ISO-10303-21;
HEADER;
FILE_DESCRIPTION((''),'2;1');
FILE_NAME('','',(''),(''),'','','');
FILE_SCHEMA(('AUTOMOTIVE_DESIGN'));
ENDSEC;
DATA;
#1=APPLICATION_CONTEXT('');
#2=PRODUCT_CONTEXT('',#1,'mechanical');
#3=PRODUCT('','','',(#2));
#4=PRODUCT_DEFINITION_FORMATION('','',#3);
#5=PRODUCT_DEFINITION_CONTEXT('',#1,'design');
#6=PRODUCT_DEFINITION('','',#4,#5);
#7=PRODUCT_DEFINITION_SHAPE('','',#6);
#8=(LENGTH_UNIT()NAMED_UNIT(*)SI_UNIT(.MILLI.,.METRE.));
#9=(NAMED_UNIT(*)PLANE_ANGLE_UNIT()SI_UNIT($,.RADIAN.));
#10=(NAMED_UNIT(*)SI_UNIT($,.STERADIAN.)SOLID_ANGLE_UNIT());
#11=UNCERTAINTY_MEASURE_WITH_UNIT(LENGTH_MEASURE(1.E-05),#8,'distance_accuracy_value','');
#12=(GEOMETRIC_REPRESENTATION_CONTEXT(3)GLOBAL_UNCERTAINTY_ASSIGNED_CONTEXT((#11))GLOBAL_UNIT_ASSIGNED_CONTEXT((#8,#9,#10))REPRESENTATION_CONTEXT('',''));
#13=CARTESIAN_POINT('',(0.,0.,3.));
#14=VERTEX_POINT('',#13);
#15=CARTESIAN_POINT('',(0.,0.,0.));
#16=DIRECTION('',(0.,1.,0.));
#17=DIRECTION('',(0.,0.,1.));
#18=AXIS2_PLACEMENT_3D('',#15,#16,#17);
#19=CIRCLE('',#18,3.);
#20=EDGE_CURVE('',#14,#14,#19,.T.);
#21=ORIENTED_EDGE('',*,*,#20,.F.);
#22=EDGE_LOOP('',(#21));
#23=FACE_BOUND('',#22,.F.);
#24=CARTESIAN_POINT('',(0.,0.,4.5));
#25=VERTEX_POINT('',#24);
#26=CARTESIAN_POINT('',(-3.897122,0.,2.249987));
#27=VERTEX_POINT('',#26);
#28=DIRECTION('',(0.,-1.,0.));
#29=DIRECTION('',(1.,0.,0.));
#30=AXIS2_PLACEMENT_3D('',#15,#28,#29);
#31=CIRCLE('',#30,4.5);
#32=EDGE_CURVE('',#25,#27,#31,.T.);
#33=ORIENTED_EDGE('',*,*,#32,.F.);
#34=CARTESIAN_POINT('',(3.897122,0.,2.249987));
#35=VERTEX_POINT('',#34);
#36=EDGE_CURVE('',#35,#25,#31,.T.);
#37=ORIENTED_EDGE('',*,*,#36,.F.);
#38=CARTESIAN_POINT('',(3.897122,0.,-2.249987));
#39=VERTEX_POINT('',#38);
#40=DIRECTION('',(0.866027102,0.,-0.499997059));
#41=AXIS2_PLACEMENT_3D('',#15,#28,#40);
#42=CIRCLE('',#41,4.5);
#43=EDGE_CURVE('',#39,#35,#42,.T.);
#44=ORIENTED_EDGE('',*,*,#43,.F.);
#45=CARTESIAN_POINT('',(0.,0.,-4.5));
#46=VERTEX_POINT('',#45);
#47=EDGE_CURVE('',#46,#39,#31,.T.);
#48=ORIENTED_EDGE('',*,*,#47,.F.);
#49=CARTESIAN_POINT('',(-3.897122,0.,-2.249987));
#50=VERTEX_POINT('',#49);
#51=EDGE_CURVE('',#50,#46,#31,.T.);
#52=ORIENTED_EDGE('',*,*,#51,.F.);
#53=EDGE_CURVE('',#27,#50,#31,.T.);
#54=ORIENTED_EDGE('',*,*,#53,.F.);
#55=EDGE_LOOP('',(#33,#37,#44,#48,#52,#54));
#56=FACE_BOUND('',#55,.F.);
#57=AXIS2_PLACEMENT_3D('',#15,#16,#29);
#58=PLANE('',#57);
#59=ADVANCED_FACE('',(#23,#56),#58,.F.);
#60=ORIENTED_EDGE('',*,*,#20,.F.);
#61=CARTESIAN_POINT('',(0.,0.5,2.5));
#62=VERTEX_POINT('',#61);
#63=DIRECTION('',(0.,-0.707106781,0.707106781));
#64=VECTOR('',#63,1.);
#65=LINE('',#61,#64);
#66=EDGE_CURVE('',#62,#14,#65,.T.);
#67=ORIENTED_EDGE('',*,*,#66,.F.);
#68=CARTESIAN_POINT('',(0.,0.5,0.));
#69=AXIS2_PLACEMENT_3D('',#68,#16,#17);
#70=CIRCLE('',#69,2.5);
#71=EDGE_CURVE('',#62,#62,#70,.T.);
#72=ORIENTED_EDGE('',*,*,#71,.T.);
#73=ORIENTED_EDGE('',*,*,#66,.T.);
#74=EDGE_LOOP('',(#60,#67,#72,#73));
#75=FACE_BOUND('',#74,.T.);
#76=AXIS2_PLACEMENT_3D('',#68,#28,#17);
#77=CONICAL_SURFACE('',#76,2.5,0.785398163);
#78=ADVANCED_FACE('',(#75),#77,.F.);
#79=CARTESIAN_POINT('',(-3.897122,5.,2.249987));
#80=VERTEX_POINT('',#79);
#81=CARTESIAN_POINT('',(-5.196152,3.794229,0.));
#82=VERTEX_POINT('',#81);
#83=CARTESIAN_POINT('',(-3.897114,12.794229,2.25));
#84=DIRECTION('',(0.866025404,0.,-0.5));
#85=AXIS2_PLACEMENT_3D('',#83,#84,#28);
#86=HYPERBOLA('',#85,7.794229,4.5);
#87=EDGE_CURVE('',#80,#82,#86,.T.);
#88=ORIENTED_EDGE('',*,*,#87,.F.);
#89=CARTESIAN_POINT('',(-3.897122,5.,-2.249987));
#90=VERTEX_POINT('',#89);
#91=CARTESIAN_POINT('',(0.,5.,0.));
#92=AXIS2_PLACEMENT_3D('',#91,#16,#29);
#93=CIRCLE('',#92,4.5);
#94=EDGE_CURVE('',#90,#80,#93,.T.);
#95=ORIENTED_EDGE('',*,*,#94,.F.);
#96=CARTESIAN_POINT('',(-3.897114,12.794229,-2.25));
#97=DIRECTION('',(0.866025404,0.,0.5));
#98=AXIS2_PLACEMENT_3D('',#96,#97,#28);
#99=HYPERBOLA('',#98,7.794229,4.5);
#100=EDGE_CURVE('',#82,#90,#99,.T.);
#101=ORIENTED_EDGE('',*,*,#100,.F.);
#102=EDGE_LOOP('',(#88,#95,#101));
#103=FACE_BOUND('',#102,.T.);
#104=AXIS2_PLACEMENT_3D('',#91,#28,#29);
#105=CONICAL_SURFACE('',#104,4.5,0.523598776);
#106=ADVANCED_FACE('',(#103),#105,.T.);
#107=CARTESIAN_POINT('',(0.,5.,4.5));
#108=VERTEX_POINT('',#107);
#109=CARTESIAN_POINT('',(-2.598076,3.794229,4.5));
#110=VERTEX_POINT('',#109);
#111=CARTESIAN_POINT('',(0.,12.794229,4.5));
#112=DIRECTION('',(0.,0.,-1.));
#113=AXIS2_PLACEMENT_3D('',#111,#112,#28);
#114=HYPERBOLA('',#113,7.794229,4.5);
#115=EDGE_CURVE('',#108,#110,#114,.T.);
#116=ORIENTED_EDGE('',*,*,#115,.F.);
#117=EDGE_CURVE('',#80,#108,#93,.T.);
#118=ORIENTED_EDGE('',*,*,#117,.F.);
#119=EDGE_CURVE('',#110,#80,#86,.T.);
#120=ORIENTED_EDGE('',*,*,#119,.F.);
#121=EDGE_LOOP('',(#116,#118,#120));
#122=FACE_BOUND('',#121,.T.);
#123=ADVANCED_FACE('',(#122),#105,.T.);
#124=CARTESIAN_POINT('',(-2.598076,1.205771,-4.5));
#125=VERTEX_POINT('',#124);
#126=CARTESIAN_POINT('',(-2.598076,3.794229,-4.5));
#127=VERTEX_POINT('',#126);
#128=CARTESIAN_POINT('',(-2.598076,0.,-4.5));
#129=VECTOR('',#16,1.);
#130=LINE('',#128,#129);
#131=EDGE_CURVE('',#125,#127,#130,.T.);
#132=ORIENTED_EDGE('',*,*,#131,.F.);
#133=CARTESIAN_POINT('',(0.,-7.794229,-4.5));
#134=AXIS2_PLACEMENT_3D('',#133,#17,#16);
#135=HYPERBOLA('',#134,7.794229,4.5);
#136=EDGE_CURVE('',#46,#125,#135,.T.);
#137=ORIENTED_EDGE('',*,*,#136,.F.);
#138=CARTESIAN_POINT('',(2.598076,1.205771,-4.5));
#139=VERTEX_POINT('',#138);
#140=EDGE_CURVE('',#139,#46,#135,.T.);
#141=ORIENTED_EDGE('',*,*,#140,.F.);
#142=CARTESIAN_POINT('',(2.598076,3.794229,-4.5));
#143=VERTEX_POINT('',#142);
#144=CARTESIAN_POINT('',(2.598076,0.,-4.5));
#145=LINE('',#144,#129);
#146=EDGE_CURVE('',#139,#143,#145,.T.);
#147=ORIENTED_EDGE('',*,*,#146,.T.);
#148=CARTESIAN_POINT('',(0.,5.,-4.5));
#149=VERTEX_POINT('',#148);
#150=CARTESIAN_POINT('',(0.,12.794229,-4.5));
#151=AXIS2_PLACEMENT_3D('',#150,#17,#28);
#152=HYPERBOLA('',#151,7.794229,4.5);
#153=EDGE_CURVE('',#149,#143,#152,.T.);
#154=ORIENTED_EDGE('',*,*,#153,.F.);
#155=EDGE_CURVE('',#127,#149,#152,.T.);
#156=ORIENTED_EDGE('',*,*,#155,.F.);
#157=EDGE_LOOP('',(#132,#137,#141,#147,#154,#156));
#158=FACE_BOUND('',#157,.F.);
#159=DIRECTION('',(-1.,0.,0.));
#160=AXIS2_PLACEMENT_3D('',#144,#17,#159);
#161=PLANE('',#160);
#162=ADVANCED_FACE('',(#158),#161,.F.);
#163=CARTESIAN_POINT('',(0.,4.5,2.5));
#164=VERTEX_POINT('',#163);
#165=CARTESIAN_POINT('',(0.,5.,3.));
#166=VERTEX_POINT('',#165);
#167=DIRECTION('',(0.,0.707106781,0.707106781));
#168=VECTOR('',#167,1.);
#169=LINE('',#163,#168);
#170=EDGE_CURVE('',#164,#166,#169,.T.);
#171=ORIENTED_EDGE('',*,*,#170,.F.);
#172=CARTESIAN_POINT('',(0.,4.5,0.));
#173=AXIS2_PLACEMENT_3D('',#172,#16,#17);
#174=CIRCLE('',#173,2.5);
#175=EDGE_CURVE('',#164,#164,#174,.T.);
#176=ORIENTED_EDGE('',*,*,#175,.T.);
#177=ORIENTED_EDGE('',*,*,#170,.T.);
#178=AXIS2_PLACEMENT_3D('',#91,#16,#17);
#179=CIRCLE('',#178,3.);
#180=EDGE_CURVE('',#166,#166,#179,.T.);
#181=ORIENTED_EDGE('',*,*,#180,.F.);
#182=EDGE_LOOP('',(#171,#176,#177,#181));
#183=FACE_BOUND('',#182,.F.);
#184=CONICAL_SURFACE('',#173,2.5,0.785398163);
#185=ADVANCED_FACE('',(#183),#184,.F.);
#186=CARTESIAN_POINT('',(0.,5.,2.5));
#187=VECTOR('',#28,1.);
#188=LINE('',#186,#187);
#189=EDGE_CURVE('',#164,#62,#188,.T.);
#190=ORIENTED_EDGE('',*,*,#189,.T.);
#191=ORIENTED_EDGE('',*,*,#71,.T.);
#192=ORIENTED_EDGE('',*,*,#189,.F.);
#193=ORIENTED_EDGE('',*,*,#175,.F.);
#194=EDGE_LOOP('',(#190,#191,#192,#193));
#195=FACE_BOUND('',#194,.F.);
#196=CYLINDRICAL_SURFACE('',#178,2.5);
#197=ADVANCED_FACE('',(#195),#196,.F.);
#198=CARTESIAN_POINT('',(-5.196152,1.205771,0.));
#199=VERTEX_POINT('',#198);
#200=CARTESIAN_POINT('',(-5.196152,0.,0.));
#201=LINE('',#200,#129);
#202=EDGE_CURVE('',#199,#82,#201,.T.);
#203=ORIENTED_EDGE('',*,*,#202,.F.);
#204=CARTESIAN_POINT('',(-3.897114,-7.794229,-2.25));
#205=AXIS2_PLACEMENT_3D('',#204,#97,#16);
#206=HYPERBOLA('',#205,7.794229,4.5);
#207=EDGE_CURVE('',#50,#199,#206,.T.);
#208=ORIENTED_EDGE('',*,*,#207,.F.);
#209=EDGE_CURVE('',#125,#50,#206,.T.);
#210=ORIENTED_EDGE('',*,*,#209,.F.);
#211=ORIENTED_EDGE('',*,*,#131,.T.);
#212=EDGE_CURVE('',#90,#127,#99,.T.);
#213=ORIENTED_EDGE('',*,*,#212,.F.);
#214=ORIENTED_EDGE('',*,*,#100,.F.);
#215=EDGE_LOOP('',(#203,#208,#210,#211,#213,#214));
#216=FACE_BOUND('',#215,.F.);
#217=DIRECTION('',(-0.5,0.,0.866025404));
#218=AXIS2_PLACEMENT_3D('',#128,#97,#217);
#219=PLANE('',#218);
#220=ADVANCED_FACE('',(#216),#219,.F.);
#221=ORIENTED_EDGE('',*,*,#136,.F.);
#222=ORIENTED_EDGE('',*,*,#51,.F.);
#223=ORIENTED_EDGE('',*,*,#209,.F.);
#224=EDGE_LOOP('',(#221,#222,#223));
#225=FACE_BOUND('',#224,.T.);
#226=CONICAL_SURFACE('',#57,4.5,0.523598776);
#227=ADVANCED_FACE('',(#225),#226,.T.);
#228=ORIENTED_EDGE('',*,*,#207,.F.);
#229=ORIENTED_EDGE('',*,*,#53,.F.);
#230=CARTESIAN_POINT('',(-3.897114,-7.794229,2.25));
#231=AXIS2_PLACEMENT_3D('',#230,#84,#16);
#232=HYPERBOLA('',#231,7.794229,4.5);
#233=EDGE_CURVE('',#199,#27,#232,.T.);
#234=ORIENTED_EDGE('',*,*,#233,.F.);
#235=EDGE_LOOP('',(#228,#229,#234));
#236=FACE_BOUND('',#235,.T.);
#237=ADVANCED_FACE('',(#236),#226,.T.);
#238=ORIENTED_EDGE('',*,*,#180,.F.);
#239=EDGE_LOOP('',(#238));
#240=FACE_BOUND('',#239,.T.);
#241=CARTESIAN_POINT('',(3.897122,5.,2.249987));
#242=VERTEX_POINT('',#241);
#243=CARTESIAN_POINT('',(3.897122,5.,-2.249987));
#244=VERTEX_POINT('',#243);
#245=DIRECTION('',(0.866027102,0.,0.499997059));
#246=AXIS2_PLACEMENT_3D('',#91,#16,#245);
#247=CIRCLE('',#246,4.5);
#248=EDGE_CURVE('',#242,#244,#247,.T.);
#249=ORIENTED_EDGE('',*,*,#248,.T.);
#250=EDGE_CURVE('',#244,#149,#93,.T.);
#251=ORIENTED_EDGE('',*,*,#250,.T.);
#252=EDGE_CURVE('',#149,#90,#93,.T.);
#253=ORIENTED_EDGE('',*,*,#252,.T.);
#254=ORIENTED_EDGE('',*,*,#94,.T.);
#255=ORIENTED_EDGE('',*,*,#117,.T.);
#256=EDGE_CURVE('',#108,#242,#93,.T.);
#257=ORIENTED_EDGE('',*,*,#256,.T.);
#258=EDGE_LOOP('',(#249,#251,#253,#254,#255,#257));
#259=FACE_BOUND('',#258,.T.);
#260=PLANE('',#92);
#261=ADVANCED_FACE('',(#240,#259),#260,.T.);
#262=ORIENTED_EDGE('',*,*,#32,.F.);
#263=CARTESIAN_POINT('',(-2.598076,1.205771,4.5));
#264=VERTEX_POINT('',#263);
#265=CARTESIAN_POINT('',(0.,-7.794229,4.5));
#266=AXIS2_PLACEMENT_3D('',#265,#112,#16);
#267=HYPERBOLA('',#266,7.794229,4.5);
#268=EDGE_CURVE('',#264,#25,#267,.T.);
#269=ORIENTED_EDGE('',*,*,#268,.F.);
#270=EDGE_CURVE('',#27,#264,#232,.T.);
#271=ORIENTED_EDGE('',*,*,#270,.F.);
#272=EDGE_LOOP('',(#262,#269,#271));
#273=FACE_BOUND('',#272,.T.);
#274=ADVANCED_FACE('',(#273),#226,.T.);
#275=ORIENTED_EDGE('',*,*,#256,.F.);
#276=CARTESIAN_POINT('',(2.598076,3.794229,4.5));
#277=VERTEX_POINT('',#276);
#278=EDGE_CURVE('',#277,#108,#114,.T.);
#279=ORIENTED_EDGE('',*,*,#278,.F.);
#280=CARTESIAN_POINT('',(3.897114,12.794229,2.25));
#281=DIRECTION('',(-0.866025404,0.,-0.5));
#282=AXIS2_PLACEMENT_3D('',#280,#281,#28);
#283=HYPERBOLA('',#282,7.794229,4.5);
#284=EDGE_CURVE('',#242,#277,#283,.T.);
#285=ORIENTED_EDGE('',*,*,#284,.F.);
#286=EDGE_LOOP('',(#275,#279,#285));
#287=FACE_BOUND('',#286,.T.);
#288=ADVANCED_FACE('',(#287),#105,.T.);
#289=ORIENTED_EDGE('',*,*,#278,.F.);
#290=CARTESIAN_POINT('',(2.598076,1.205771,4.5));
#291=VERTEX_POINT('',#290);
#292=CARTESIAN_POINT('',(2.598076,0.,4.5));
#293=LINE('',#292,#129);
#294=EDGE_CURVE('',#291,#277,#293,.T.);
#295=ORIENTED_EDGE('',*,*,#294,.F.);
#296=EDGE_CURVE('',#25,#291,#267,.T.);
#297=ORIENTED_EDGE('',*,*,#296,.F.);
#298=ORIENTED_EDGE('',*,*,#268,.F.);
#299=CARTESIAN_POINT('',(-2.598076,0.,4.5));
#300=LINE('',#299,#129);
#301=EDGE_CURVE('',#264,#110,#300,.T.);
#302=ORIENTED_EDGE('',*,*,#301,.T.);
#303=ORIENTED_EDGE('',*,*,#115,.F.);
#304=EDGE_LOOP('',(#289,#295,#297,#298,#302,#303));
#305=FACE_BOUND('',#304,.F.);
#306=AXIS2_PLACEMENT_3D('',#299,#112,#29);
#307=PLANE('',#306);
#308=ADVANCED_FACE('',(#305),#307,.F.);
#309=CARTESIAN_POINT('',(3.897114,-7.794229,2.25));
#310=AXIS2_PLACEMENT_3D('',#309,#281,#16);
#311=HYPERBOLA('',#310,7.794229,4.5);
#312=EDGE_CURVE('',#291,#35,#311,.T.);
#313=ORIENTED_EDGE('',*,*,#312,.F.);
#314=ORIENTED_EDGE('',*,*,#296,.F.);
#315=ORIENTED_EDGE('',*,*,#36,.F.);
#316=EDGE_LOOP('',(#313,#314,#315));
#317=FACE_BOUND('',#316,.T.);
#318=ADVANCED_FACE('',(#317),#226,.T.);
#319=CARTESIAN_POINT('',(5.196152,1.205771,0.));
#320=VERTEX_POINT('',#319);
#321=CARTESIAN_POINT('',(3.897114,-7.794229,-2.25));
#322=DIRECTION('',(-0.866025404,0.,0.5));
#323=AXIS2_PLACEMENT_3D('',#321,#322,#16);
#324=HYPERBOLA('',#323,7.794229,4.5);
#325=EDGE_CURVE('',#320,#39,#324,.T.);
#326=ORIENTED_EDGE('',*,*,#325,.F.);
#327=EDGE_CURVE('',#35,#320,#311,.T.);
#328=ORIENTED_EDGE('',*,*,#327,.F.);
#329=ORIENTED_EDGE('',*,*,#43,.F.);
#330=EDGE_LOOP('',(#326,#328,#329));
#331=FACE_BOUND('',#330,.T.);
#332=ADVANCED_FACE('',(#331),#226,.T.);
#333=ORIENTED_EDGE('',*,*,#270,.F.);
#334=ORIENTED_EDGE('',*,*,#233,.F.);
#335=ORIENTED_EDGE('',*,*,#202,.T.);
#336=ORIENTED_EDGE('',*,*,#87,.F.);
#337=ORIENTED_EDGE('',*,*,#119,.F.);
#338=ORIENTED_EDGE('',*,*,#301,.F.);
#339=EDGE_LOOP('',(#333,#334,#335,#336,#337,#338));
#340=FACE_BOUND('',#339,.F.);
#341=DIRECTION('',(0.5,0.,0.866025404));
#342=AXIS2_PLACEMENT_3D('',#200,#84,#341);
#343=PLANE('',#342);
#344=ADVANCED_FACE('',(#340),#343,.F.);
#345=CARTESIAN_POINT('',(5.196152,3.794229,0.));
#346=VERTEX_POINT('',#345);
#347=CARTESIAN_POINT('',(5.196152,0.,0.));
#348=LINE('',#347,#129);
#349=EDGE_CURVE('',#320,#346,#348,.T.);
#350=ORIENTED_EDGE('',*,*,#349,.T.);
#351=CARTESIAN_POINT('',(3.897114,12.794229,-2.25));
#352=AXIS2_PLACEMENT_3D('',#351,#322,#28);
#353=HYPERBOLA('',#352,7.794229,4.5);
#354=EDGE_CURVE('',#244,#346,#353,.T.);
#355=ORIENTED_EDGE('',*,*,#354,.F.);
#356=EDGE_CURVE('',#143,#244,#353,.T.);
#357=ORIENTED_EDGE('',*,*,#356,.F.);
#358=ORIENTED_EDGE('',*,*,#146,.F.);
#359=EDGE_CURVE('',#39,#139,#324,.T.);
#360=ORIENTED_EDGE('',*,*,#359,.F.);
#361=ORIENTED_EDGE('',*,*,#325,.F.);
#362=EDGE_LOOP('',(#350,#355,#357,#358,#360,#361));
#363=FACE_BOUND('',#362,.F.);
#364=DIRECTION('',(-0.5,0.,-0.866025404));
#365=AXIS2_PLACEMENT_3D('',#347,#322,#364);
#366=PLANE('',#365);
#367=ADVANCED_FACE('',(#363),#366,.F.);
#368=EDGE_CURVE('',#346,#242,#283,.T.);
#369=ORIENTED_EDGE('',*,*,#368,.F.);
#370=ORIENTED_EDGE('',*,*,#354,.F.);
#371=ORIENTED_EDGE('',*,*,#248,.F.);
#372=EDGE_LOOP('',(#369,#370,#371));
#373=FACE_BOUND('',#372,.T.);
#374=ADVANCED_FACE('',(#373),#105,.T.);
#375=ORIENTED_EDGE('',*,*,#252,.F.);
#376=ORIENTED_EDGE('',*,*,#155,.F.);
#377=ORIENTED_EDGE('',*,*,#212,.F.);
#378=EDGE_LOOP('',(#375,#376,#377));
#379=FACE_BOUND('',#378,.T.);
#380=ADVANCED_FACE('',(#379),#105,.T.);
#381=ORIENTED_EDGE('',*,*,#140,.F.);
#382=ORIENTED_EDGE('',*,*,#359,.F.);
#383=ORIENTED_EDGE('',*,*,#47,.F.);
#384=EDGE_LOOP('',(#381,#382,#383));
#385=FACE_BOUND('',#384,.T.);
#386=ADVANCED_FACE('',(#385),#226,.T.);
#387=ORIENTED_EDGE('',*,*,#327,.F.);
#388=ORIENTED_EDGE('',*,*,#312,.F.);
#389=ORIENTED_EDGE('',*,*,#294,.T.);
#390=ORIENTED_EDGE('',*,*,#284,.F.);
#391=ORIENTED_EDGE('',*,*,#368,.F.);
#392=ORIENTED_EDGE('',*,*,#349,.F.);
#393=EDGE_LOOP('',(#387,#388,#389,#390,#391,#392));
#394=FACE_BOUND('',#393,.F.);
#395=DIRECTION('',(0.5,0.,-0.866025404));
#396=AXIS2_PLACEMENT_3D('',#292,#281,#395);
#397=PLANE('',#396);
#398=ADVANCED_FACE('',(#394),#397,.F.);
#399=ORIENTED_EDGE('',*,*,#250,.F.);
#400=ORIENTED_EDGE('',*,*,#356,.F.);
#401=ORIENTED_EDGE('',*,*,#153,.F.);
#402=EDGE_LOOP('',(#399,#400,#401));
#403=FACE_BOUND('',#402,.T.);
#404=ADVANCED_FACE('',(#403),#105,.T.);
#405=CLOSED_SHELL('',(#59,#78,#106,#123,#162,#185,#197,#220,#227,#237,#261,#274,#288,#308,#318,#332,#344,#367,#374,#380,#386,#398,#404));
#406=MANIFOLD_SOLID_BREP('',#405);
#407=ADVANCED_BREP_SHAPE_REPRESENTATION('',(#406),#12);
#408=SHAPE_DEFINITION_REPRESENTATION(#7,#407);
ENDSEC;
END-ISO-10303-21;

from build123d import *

# Parameters (mm, degrees)
EXTRUDE_1_DEPTH     = 5
SKETCH_2_R          = 2.5
CUT_EXTRUDE_1_DEPTH = 5
SKETCH_3_OUTSIDE_W  = 21.092
SKETCH_3_OUTSIDE_H  = 19.7
SKETCH_3_OUTSIDE_R  = 4.5
CUT_EXTRUDE_2_DEPTH = 5
CUT_EXTRUDE_2_DRAFT = -30
SKETCH_4_OUTSIDE_W  = 21.092
SKETCH_4_OUTSIDE_H  = 19.7
SKETCH_4_OUTSIDE_R  = 4.5
CUT_EXTRUDE_3_DEPTH = 5
CUT_EXTRUDE_3_DRAFT = -30
CHAMFER_1_SIZE      = 0.5
CHAMFER_2_SIZE      = 0.5


with BuildPart() as part:
    # 草图1 → 凸台-拉伸1 (new body)
    with BuildSketch(Plane(origin=(0, 0, 0), x_dir=(1, 0, 0), z_dir=(0, 1, 0))):
        Polygon((2.598076211, 4.5), (-2.598076211, 4.5), (-5.196152423, 0), (-2.598076211, -4.5), (2.598076211, -4.5), (5.196152423, 0), align=None)
    extrude(amount=EXTRUDE_1_DEPTH)

    # 草图2 → 切除-拉伸1 (cut)
    with BuildSketch(Plane(origin=(0, 5, 0), x_dir=(1, 0, 0), z_dir=(0, 1, 0))):
        with Locations(Location((0, 0, 0), (0, 0, 270))):
            Circle(SKETCH_2_R)
    extrude(amount=-CUT_EXTRUDE_1_DEPTH, mode=Mode.SUBTRACT)


with BuildPart() as cut_extrude_2_tool:
    # 草图3 outside → 切除-拉伸2 (with draft: the straight prism first)
    with BuildSketch(Plane(origin=(0, 5, 0), x_dir=(1, 0, 0), z_dir=(0, 1, 0))):
        Rectangle(SKETCH_3_OUTSIDE_W, SKETCH_3_OUTSIDE_H)
        Circle(SKETCH_3_OUTSIDE_R, mode=Mode.SUBTRACT)
    extrude(amount=-CUT_EXTRUDE_2_DEPTH)
    # 切除-拉伸2: the draft: its side faces are tilted about the plane it starts from
    cut_extrude_2_sides = [cut_extrude_2_tool.faces().sort_by_distance(p)[0] for p in [
        (0, 2.5, 9.85),
        (10.546, 2.5, 0),
        (0, 2.5, -9.85),
        (-10.546, 2.5, 0),
        (-4.5, 2.5, 0),
    ]]
    draft(cut_extrude_2_sides, Plane(origin=(0, 5, 0), x_dir=(1, 0, 0), z_dir=(0, 1, 0)), CUT_EXTRUDE_2_DRAFT)


with BuildPart() as part_1:
    add(part.part)

    # 切除-拉伸2: cut by cut_extrude_2_tool
    add(cut_extrude_2_tool.part, mode=Mode.SUBTRACT)


with BuildPart() as cut_extrude_3_tool:
    # 草图4 outside → 切除-拉伸3 (with draft: the straight prism first)
    with BuildSketch(Plane.XZ):
        Rectangle(SKETCH_4_OUTSIDE_W, SKETCH_4_OUTSIDE_H)
        Circle(SKETCH_4_OUTSIDE_R, mode=Mode.SUBTRACT)
    extrude(amount=-CUT_EXTRUDE_3_DEPTH)
    # 切除-拉伸3: the draft: its side faces are tilted about the plane it starts from
    cut_extrude_3_sides = [cut_extrude_3_tool.faces().sort_by_distance(p)[0] for p in [
        (0, 2.5, -9.85),
        (10.546, 2.5, 0),
        (0, 2.5, 9.85),
        (-10.546, 2.5, 0),
        (-4.5, 2.5, 0),
    ]]
    draft(cut_extrude_3_sides, Plane.XZ, CUT_EXTRUDE_3_DRAFT)


with BuildPart() as part_2:
    add(part_1.part)

    # 切除-拉伸3: cut by cut_extrude_3_tool
    add(cut_extrude_3_tool.part, mode=Mode.SUBTRACT)

    # 倒角1
    chamfer_1_edges = [part_2.edges().sort_by_distance(p)[0] for p in [
        (0, 5, -2.5),
    ]]
    chamfer(chamfer_1_edges, length=CHAMFER_1_SIZE)

    # 倒角2
    chamfer_2_edges = [part_2.edges().sort_by_distance(p)[0] for p in [
        (0, 0, -2.5),
    ]]
    chamfer(chamfer_2_edges, length=CHAMFER_2_SIZE)


solid = part_2.part
